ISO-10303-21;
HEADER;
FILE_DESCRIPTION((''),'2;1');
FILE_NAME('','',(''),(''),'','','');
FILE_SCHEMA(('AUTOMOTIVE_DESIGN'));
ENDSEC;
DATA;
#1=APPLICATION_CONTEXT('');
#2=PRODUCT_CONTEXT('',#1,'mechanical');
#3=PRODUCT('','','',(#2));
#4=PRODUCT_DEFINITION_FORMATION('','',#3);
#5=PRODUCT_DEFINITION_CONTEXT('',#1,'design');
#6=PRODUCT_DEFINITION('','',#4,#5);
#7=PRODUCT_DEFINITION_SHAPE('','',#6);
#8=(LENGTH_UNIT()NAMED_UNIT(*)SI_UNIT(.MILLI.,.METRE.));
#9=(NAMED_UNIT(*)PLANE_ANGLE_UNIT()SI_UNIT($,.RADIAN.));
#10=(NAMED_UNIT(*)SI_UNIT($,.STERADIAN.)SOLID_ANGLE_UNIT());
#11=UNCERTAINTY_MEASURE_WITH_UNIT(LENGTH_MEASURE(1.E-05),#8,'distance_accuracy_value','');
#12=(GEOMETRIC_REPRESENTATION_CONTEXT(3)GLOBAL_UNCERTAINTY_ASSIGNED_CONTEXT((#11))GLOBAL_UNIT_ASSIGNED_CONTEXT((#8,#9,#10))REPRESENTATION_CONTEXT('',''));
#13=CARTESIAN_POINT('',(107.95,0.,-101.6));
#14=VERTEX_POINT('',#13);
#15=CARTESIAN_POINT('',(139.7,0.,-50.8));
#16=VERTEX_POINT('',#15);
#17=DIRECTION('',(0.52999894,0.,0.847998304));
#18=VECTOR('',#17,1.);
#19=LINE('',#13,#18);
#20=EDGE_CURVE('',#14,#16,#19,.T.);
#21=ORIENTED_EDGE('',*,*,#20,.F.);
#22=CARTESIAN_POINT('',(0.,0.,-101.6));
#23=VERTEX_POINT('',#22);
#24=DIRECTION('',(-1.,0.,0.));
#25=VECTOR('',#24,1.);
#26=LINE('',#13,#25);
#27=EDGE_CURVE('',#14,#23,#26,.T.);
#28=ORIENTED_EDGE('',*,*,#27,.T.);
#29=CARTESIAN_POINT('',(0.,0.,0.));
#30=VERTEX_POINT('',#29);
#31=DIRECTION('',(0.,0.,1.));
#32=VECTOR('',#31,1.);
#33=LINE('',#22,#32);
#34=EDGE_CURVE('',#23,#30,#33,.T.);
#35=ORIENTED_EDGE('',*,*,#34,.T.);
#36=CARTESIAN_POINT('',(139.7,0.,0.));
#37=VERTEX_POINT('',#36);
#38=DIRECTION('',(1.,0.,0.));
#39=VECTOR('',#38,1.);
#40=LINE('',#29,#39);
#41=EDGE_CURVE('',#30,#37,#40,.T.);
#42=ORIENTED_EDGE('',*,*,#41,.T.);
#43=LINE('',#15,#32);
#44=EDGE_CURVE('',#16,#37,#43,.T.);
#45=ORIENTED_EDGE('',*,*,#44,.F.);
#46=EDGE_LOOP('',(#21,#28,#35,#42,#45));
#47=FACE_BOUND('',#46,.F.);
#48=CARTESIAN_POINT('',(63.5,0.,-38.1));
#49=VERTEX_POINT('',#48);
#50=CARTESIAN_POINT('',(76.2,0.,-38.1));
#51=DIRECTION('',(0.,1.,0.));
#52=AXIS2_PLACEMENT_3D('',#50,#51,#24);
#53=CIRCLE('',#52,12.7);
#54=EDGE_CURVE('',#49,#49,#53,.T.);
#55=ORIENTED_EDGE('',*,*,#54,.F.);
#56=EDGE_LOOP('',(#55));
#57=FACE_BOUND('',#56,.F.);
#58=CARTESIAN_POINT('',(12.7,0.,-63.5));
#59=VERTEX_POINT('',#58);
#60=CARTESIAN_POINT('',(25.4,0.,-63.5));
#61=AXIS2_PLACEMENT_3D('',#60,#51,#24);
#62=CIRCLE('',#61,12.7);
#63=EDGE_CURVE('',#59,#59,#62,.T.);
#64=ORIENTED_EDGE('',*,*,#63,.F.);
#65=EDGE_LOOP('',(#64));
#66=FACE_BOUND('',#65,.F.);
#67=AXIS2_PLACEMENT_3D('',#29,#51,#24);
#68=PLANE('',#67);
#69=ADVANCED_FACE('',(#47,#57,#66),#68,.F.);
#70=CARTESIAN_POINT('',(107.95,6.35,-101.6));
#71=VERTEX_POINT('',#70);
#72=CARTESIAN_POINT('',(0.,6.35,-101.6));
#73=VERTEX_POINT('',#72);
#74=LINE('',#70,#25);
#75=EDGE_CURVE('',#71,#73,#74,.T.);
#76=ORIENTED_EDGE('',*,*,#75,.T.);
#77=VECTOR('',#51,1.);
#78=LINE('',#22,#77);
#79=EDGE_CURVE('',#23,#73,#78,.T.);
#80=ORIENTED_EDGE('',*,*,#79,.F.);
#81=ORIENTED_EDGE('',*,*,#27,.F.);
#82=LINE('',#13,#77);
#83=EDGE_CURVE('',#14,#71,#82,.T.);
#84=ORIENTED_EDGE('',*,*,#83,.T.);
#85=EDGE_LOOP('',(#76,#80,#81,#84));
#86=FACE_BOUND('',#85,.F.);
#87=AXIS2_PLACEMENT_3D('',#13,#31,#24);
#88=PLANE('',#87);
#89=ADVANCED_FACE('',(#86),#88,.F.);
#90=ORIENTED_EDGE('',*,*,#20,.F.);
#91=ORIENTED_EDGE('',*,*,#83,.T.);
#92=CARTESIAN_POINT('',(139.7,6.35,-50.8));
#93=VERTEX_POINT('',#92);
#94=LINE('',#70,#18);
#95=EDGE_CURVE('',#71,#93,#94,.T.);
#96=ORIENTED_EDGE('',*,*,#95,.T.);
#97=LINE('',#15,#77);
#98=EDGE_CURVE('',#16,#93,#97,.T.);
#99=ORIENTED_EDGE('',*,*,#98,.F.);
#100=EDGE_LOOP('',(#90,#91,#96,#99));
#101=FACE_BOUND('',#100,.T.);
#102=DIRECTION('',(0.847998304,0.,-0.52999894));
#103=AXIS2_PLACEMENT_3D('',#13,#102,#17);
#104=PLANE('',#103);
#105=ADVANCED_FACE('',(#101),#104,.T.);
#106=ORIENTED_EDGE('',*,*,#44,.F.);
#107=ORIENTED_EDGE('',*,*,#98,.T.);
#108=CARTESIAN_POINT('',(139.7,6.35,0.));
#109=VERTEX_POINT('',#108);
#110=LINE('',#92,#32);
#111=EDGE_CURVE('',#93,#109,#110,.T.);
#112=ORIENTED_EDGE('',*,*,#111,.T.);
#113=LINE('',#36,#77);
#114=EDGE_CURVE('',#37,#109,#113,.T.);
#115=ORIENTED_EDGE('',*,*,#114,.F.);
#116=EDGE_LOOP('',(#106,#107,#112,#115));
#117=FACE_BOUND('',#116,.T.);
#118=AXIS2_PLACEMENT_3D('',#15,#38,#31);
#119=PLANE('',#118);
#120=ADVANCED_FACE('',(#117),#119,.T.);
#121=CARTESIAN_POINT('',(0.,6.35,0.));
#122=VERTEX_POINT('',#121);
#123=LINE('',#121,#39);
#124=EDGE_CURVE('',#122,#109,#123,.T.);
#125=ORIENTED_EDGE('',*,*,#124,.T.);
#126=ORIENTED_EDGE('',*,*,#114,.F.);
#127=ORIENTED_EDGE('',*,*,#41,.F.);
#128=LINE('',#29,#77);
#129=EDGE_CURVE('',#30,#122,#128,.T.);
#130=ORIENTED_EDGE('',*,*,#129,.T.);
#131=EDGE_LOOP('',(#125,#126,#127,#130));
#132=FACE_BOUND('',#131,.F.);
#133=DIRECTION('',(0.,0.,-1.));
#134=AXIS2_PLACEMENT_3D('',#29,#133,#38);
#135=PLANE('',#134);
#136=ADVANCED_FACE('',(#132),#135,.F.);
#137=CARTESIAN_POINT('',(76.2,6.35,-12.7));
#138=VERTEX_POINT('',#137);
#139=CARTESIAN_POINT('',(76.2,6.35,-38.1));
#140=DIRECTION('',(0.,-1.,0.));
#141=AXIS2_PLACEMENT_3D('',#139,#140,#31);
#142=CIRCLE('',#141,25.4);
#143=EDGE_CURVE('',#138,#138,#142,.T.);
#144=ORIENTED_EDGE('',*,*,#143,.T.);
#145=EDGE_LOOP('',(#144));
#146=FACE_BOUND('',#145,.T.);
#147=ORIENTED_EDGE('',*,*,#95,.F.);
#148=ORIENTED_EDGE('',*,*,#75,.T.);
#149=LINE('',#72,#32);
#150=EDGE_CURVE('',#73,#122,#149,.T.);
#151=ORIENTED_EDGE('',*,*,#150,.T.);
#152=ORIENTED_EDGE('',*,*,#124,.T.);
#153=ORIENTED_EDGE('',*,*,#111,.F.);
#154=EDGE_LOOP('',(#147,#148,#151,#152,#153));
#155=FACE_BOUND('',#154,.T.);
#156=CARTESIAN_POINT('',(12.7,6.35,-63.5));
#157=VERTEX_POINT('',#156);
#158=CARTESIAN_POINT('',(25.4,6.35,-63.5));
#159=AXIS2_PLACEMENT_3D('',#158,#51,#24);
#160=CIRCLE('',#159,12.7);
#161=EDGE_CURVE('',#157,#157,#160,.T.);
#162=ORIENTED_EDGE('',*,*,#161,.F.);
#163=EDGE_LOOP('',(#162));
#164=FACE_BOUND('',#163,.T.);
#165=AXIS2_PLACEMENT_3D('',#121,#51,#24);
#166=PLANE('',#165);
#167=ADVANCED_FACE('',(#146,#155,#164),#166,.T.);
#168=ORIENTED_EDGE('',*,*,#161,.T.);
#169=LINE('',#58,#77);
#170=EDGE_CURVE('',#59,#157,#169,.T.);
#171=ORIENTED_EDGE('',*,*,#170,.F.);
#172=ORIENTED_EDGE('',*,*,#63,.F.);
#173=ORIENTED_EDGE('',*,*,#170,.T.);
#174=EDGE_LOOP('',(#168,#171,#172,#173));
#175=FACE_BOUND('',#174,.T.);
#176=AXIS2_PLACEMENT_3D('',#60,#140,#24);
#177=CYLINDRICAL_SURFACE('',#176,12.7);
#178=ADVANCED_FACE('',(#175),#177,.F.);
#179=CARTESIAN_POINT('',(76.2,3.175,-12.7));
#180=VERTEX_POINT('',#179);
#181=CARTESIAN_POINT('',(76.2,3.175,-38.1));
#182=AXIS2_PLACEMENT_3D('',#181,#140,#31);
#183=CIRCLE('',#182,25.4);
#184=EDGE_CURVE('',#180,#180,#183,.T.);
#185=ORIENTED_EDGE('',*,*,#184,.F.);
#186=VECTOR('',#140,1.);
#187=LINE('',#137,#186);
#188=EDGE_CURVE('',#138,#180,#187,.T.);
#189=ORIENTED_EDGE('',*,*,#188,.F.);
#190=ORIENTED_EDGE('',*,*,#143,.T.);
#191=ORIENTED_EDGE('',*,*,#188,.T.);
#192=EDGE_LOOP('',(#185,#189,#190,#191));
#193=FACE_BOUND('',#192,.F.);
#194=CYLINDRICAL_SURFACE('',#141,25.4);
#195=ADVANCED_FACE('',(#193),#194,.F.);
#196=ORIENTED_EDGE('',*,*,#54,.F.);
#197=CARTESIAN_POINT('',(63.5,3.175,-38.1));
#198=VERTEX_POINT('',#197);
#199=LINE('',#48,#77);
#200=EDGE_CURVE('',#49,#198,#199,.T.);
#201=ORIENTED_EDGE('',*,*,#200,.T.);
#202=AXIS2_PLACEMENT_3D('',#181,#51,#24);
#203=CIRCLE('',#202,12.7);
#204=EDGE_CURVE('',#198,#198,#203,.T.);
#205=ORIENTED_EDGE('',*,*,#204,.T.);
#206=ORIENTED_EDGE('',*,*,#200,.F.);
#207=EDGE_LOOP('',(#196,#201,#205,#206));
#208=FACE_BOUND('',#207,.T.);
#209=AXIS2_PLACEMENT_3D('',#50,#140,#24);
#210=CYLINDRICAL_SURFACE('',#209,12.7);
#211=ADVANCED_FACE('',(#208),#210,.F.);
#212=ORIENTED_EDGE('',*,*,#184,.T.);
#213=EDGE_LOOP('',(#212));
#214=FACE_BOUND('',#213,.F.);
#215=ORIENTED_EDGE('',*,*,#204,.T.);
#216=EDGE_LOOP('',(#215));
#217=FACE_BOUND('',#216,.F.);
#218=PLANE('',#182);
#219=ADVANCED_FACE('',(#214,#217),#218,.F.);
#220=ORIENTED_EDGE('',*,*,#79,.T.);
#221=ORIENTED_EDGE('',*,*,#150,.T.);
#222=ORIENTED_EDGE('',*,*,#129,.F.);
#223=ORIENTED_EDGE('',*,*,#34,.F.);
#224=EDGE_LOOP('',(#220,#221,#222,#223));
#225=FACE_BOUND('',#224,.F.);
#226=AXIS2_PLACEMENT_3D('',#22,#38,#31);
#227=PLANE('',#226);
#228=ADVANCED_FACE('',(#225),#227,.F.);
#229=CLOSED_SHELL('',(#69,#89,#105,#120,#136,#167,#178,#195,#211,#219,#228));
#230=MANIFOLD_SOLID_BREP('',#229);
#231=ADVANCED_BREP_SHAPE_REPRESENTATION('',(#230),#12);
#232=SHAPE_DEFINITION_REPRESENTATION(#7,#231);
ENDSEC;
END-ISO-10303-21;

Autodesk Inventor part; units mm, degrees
ref_plane "YZ Plane" through (0, 0, 0) normal (1, 0, 0) x (0, 1, 0)
ref_plane "XZ Plane" through (0, 0, 0) normal (0, 1, 0) x (-1, 0, 0)
ref_plane "XY Plane" through (0, 0, 0) normal (0, 0, 1) x (1, 0, 0)
sketch "Sketch1" plane through (0, 0, 0) normal (0, 1, 0) x (-1, 0, 0)
  line L0 (0, 0) -> (-139.7, 0)
  line L1 (-107.95, -101.6) -> (0, -101.6)
  line L2 (0, -101.6) -> (0, 0)
  line L3 (-107.95, -101.6) -> (-139.7, -50.8)
  line L4 (-139.7, -50.8) -> (-139.7, 0)
  circle A0 centre (-25.4, -63.5) radius 12.7
  circle A1 centre (-76.2, -38.1) radius 12.7
  dimension "d0" = 50.8
  dimension "d1" = 101.6
  dimension "d2" = 107.95
  dimension "d3" = 139.7
  dimension "d5" = 25.4
  dimension "d6" = 63.5
  dimension "d7" = 38.1
  dimension "d8" = 76.2
  dimension "d9" = 25.4
extrude "Extrusion1" add sketch "Sketch1" along normal blind 6.35
sketch "Sketch2" plane through (0, 6.35, 0) normal (0, 1, 0) x (1, 0, 0)
  circle A0 centre (76.2, 38.1) radius 12.7 projected
  point P0 (0, 0)
hole "Hole1" at (76.2, 6.35, -38.1) direction (0, -1, 0) diameter 25.4 end through all counterbore diameter 50.8 counterbore depth 3.175
properties part number "GuidePlate"
